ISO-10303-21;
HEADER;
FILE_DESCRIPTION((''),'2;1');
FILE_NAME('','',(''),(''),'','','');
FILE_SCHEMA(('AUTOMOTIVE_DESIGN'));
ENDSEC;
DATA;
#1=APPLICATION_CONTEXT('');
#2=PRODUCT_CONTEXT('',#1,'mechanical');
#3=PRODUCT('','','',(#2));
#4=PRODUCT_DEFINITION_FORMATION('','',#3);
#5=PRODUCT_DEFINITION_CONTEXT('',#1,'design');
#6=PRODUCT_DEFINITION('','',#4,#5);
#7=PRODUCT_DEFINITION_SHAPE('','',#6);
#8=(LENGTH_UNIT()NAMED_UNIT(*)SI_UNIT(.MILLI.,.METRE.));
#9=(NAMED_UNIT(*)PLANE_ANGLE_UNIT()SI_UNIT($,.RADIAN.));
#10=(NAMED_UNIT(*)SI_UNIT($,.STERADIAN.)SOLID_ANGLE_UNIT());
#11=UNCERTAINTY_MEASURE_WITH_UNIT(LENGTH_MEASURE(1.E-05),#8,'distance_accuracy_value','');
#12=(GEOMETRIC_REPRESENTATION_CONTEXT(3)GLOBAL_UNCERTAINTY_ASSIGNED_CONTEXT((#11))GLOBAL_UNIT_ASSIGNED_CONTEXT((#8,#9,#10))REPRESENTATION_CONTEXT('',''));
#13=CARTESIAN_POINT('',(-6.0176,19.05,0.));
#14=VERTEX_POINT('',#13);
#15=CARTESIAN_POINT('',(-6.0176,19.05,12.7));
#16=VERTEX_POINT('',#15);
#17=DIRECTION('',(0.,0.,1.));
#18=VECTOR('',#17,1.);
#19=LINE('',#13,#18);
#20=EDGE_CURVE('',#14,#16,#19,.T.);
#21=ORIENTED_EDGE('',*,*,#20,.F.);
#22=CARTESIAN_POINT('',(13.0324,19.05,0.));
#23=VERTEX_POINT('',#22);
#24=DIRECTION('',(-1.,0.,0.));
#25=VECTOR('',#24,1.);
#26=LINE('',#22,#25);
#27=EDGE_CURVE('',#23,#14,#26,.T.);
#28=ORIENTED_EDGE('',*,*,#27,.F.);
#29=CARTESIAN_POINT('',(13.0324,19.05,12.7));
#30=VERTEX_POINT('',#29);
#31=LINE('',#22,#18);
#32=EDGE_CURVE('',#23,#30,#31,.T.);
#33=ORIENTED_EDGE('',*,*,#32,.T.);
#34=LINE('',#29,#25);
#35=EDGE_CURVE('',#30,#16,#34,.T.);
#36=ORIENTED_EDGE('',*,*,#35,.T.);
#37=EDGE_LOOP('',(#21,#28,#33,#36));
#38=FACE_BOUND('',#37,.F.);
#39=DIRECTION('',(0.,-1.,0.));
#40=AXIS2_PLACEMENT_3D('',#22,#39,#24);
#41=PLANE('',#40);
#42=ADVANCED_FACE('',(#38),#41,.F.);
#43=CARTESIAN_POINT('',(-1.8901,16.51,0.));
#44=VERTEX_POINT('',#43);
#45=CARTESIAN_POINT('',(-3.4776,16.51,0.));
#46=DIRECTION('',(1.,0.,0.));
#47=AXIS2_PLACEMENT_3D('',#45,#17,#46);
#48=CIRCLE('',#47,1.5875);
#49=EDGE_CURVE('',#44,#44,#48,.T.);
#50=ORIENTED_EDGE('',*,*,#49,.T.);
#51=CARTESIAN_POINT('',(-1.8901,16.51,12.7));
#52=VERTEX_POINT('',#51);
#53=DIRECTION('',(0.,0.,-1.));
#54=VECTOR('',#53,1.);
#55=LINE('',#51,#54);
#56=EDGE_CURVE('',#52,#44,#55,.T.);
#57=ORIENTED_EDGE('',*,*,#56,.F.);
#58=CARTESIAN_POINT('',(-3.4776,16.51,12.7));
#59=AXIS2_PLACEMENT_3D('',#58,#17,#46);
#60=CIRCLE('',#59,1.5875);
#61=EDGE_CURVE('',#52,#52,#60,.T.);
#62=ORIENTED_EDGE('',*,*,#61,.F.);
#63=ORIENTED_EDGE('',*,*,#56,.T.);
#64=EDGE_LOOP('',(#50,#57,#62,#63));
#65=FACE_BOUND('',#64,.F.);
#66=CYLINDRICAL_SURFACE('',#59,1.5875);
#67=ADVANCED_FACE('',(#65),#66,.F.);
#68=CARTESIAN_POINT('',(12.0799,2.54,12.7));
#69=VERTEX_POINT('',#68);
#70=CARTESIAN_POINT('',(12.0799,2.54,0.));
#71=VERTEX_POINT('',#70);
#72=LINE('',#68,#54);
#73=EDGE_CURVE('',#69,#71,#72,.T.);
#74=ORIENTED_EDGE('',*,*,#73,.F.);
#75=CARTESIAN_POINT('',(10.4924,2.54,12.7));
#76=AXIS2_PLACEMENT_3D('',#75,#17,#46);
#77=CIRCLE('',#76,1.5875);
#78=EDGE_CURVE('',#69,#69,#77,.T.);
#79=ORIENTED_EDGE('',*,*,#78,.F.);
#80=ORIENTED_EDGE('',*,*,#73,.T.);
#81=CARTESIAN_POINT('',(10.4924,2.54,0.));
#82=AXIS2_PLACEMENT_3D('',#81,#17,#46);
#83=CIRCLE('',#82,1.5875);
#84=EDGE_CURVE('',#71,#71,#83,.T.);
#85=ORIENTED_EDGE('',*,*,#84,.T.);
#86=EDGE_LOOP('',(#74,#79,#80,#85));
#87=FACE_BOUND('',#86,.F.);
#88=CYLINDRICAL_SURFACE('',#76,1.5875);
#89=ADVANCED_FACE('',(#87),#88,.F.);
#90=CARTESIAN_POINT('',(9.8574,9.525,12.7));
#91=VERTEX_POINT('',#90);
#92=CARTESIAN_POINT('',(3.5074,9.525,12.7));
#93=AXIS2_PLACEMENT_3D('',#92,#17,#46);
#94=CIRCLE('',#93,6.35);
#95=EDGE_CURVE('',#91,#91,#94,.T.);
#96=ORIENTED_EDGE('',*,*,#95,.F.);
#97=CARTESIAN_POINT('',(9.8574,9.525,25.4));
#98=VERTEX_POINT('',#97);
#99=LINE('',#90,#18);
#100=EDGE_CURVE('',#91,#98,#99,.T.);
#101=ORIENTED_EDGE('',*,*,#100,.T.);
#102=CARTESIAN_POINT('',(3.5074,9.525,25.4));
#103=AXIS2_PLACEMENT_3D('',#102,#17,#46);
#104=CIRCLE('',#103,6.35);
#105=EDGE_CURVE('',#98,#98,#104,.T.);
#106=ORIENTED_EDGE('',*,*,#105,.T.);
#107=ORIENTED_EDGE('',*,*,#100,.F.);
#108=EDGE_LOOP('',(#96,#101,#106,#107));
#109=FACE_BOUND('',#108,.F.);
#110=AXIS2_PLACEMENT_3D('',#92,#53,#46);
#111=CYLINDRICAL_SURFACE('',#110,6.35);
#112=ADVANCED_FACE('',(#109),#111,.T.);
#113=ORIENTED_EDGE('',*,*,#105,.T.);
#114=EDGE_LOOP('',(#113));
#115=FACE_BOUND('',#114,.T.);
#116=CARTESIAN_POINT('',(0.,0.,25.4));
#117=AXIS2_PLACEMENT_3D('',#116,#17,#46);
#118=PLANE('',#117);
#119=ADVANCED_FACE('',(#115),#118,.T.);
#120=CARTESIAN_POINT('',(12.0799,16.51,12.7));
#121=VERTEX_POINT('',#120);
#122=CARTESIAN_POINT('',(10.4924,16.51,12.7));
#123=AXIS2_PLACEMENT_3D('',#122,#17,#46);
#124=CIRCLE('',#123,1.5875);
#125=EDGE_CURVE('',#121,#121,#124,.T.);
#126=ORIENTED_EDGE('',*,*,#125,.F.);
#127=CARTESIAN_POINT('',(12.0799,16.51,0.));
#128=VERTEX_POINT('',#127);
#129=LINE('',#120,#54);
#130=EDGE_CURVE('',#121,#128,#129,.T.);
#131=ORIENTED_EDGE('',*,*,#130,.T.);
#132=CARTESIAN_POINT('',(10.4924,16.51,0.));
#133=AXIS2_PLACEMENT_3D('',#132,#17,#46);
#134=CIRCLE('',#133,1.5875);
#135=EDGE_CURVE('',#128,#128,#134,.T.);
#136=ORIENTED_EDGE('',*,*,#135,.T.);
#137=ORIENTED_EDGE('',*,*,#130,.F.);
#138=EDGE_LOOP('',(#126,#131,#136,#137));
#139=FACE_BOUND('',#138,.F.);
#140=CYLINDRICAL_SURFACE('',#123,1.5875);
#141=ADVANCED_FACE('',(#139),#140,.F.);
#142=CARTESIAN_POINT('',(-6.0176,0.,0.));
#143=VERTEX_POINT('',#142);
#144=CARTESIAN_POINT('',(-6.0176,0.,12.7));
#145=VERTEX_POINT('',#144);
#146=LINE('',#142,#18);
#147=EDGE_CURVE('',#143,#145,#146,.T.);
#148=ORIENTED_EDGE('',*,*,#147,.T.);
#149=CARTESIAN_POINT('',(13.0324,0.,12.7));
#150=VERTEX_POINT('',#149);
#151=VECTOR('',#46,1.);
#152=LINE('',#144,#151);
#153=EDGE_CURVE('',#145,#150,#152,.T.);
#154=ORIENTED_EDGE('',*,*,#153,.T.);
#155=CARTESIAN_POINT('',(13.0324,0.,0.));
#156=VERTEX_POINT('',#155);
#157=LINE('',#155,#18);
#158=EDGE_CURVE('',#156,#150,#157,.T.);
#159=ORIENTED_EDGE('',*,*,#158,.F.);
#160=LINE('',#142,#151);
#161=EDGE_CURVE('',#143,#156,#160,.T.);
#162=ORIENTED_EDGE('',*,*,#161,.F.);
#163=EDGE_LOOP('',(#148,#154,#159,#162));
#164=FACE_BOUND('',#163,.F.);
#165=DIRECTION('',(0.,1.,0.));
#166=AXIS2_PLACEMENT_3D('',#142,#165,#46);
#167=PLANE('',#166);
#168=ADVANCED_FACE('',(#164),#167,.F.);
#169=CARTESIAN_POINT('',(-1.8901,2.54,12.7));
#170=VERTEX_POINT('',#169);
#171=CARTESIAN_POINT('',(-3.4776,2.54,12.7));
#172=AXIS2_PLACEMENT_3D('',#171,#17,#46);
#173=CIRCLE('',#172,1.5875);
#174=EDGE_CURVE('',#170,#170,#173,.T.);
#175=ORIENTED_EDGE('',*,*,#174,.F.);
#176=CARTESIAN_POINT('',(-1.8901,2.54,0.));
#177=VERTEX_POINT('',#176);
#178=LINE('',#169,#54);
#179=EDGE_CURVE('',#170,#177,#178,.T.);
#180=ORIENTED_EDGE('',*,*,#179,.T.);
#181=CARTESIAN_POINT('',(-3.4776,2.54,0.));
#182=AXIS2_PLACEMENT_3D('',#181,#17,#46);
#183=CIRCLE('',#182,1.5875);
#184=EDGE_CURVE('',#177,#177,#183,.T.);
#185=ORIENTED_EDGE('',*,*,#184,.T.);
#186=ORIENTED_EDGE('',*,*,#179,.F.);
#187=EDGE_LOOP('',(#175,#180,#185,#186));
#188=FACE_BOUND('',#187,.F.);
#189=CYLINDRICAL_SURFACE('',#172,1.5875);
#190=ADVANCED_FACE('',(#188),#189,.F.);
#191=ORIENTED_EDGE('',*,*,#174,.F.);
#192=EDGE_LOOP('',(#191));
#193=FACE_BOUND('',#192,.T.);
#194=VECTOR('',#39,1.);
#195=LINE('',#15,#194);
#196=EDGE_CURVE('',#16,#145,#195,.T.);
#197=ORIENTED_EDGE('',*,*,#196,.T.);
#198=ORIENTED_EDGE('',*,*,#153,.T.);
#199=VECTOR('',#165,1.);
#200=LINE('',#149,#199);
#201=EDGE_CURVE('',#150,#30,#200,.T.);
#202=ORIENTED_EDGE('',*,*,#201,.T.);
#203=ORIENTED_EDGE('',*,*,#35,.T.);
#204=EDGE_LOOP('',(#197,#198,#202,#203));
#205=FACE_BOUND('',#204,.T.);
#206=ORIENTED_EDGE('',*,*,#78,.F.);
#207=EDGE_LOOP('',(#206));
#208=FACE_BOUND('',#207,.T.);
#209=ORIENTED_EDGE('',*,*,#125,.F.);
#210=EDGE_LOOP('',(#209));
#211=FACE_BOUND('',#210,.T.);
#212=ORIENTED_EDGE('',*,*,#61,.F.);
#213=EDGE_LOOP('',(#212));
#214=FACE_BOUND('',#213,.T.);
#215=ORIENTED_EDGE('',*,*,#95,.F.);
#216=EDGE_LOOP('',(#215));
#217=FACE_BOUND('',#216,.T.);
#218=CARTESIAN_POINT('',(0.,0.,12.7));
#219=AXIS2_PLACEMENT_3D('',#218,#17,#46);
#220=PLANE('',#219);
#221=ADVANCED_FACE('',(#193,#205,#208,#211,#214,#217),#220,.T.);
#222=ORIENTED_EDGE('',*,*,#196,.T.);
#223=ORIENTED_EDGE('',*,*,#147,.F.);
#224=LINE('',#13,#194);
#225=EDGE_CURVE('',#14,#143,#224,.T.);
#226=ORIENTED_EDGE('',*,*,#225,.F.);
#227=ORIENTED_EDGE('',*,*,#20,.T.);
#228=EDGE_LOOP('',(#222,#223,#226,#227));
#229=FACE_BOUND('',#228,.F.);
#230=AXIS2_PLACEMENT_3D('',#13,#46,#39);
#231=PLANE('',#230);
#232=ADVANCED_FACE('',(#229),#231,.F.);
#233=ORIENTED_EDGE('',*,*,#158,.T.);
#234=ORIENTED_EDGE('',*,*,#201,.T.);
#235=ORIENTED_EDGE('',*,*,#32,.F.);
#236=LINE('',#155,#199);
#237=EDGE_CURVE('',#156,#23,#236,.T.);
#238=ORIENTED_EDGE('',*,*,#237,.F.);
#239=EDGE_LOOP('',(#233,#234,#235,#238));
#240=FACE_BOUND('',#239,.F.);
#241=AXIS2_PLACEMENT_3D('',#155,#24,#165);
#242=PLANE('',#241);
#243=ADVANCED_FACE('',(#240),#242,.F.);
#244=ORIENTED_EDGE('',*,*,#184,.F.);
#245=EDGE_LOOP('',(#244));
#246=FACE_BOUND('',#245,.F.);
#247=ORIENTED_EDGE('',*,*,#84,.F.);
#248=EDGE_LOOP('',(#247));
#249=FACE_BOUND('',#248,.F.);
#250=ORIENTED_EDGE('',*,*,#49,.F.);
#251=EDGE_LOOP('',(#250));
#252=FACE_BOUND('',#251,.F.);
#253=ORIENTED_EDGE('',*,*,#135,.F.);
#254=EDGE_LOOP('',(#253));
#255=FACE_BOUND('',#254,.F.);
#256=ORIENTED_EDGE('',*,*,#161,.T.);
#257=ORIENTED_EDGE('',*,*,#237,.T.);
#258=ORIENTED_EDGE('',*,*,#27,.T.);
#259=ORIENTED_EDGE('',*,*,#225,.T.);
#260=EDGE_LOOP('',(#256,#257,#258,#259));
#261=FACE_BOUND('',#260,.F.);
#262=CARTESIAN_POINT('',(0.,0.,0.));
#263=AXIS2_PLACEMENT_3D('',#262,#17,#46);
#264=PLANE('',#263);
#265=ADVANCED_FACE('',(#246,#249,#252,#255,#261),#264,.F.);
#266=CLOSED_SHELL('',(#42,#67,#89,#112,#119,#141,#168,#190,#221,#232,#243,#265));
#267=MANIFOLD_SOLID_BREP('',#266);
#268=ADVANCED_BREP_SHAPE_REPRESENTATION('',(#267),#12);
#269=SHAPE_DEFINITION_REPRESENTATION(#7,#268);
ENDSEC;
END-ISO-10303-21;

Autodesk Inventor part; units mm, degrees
ref_plane "YZ Plane" through (0, 0, 0) normal (1, 0, 0) x (0, 1, 0)
ref_plane "XZ Plane" through (0, 0, 0) normal (0, 1, 0) x (-1, 0, 0)
ref_plane "XY Plane" through (0, 0, 0) normal (0, 0, 1) x (1, 0, 0)
sketch "Sketch1" plane through (0, 0, 0) normal (0, 0, 1) x (1, 0, 0)
  line L0 (-6.0176, 0) -> (13.0324, 0)
  line L1 (13.0324, 0) -> (13.0324, 19.05)
  line L2 (13.0324, 19.05) -> (-6.0176, 19.05)
  line L3 (-6.0176, 19.05) -> (-6.0176, 0)
  point P0 (0, 0)
  dimension "d0" = 19.05
  dimension "d1" = 19.05
extrude "Extrusion1" add sketch "Sketch1" along normal blind 12.7
sketch "Sketch2" plane through (0, 0, 12.7) normal (0, 0, 1) x (1, 0, 0)
  circle A0 centre (3.5074, 9.525) radius 6.35
  line L0 (13.0324, 19.05) -> (-6.0176, 19.05) projected
  line L1 (13.0324, 0) -> (13.0324, 19.05) projected
  circle A1 centre (10.4924, 16.51) radius 1.5875
  circle A2 centre (10.4924, 2.54) radius 1.5875
  line L2 (-6.0176, 0) -> (13.0324, 0) projected
  circle A3 centre (-3.4776, 16.51) radius 1.5875
  line L3 (-6.0176, 19.05) -> (-6.0176, 0) projected
  circle A4 centre (-3.4776, 2.54) radius 1.5875
  point P0 (0, 0)
  dimension "d4" = 9.525
  dimension "d5" = 9.525
  dimension "d6" = 12.7
  dimension "d9" = 3.175
  dimension "d10" = 2.54
  dimension "d11" = 2.54
  dimension "d12" = 3.175
  dimension "d13" = 2.54
  dimension "d14" = 2.54
  dimension "d15" = 3.175
  dimension "d16" = 2.54
  dimension "d17" = 2.54
  dimension "d18" = 3.175
  dimension "d19" = 2.54
  dimension "d20" = 2.54
extrude "Extrusion2" add sketch "Sketch2" along normal blind 12.7 contours A0
sketch "Sketch3" plane through (0, 0, 12.7) normal (0, 0, 1) x (1, 0, 0)
  circle A0 centre (10.4924, 16.51) radius 1.5875
  circle A1 centre (-3.4776, 16.51) radius 1.5875
  circle A2 centre (-3.4776, 2.54) radius 1.5875
  circle A3 centre (10.4924, 2.54) radius 1.5875
  line L0 (-6.0176, 0) -> (13.0324, 0) projected
  line L1 (-6.0176, 19.05) -> (-6.0176, 0) projected
  line L2 (13.0324, 19.05) -> (-6.0176, 19.05) projected
  line L3 (13.0324, 0) -> (13.0324, 19.05) projected
  point P0 (0, 0)
  dimension "d21" = 3.175
  dimension "d22" = 3.175
  dimension "d23" = 3.175
  dimension "d24" = 3.175
  dimension "d25" = 2.54
  dimension "d26" = 2.54
  dimension "d27" = 2.54
  dimension "d28" = 2.54
  dimension "d29" = 2.54
  dimension "d30" = 2.54
  dimension "d31" = 2.54
  dimension "d32" = 2.54
extrude "Extrusion3" cut sketch "Sketch3" against normal blind 12.7 contours A0 | A1 | A2 | A3
properties part number "bottom piece pvc"
